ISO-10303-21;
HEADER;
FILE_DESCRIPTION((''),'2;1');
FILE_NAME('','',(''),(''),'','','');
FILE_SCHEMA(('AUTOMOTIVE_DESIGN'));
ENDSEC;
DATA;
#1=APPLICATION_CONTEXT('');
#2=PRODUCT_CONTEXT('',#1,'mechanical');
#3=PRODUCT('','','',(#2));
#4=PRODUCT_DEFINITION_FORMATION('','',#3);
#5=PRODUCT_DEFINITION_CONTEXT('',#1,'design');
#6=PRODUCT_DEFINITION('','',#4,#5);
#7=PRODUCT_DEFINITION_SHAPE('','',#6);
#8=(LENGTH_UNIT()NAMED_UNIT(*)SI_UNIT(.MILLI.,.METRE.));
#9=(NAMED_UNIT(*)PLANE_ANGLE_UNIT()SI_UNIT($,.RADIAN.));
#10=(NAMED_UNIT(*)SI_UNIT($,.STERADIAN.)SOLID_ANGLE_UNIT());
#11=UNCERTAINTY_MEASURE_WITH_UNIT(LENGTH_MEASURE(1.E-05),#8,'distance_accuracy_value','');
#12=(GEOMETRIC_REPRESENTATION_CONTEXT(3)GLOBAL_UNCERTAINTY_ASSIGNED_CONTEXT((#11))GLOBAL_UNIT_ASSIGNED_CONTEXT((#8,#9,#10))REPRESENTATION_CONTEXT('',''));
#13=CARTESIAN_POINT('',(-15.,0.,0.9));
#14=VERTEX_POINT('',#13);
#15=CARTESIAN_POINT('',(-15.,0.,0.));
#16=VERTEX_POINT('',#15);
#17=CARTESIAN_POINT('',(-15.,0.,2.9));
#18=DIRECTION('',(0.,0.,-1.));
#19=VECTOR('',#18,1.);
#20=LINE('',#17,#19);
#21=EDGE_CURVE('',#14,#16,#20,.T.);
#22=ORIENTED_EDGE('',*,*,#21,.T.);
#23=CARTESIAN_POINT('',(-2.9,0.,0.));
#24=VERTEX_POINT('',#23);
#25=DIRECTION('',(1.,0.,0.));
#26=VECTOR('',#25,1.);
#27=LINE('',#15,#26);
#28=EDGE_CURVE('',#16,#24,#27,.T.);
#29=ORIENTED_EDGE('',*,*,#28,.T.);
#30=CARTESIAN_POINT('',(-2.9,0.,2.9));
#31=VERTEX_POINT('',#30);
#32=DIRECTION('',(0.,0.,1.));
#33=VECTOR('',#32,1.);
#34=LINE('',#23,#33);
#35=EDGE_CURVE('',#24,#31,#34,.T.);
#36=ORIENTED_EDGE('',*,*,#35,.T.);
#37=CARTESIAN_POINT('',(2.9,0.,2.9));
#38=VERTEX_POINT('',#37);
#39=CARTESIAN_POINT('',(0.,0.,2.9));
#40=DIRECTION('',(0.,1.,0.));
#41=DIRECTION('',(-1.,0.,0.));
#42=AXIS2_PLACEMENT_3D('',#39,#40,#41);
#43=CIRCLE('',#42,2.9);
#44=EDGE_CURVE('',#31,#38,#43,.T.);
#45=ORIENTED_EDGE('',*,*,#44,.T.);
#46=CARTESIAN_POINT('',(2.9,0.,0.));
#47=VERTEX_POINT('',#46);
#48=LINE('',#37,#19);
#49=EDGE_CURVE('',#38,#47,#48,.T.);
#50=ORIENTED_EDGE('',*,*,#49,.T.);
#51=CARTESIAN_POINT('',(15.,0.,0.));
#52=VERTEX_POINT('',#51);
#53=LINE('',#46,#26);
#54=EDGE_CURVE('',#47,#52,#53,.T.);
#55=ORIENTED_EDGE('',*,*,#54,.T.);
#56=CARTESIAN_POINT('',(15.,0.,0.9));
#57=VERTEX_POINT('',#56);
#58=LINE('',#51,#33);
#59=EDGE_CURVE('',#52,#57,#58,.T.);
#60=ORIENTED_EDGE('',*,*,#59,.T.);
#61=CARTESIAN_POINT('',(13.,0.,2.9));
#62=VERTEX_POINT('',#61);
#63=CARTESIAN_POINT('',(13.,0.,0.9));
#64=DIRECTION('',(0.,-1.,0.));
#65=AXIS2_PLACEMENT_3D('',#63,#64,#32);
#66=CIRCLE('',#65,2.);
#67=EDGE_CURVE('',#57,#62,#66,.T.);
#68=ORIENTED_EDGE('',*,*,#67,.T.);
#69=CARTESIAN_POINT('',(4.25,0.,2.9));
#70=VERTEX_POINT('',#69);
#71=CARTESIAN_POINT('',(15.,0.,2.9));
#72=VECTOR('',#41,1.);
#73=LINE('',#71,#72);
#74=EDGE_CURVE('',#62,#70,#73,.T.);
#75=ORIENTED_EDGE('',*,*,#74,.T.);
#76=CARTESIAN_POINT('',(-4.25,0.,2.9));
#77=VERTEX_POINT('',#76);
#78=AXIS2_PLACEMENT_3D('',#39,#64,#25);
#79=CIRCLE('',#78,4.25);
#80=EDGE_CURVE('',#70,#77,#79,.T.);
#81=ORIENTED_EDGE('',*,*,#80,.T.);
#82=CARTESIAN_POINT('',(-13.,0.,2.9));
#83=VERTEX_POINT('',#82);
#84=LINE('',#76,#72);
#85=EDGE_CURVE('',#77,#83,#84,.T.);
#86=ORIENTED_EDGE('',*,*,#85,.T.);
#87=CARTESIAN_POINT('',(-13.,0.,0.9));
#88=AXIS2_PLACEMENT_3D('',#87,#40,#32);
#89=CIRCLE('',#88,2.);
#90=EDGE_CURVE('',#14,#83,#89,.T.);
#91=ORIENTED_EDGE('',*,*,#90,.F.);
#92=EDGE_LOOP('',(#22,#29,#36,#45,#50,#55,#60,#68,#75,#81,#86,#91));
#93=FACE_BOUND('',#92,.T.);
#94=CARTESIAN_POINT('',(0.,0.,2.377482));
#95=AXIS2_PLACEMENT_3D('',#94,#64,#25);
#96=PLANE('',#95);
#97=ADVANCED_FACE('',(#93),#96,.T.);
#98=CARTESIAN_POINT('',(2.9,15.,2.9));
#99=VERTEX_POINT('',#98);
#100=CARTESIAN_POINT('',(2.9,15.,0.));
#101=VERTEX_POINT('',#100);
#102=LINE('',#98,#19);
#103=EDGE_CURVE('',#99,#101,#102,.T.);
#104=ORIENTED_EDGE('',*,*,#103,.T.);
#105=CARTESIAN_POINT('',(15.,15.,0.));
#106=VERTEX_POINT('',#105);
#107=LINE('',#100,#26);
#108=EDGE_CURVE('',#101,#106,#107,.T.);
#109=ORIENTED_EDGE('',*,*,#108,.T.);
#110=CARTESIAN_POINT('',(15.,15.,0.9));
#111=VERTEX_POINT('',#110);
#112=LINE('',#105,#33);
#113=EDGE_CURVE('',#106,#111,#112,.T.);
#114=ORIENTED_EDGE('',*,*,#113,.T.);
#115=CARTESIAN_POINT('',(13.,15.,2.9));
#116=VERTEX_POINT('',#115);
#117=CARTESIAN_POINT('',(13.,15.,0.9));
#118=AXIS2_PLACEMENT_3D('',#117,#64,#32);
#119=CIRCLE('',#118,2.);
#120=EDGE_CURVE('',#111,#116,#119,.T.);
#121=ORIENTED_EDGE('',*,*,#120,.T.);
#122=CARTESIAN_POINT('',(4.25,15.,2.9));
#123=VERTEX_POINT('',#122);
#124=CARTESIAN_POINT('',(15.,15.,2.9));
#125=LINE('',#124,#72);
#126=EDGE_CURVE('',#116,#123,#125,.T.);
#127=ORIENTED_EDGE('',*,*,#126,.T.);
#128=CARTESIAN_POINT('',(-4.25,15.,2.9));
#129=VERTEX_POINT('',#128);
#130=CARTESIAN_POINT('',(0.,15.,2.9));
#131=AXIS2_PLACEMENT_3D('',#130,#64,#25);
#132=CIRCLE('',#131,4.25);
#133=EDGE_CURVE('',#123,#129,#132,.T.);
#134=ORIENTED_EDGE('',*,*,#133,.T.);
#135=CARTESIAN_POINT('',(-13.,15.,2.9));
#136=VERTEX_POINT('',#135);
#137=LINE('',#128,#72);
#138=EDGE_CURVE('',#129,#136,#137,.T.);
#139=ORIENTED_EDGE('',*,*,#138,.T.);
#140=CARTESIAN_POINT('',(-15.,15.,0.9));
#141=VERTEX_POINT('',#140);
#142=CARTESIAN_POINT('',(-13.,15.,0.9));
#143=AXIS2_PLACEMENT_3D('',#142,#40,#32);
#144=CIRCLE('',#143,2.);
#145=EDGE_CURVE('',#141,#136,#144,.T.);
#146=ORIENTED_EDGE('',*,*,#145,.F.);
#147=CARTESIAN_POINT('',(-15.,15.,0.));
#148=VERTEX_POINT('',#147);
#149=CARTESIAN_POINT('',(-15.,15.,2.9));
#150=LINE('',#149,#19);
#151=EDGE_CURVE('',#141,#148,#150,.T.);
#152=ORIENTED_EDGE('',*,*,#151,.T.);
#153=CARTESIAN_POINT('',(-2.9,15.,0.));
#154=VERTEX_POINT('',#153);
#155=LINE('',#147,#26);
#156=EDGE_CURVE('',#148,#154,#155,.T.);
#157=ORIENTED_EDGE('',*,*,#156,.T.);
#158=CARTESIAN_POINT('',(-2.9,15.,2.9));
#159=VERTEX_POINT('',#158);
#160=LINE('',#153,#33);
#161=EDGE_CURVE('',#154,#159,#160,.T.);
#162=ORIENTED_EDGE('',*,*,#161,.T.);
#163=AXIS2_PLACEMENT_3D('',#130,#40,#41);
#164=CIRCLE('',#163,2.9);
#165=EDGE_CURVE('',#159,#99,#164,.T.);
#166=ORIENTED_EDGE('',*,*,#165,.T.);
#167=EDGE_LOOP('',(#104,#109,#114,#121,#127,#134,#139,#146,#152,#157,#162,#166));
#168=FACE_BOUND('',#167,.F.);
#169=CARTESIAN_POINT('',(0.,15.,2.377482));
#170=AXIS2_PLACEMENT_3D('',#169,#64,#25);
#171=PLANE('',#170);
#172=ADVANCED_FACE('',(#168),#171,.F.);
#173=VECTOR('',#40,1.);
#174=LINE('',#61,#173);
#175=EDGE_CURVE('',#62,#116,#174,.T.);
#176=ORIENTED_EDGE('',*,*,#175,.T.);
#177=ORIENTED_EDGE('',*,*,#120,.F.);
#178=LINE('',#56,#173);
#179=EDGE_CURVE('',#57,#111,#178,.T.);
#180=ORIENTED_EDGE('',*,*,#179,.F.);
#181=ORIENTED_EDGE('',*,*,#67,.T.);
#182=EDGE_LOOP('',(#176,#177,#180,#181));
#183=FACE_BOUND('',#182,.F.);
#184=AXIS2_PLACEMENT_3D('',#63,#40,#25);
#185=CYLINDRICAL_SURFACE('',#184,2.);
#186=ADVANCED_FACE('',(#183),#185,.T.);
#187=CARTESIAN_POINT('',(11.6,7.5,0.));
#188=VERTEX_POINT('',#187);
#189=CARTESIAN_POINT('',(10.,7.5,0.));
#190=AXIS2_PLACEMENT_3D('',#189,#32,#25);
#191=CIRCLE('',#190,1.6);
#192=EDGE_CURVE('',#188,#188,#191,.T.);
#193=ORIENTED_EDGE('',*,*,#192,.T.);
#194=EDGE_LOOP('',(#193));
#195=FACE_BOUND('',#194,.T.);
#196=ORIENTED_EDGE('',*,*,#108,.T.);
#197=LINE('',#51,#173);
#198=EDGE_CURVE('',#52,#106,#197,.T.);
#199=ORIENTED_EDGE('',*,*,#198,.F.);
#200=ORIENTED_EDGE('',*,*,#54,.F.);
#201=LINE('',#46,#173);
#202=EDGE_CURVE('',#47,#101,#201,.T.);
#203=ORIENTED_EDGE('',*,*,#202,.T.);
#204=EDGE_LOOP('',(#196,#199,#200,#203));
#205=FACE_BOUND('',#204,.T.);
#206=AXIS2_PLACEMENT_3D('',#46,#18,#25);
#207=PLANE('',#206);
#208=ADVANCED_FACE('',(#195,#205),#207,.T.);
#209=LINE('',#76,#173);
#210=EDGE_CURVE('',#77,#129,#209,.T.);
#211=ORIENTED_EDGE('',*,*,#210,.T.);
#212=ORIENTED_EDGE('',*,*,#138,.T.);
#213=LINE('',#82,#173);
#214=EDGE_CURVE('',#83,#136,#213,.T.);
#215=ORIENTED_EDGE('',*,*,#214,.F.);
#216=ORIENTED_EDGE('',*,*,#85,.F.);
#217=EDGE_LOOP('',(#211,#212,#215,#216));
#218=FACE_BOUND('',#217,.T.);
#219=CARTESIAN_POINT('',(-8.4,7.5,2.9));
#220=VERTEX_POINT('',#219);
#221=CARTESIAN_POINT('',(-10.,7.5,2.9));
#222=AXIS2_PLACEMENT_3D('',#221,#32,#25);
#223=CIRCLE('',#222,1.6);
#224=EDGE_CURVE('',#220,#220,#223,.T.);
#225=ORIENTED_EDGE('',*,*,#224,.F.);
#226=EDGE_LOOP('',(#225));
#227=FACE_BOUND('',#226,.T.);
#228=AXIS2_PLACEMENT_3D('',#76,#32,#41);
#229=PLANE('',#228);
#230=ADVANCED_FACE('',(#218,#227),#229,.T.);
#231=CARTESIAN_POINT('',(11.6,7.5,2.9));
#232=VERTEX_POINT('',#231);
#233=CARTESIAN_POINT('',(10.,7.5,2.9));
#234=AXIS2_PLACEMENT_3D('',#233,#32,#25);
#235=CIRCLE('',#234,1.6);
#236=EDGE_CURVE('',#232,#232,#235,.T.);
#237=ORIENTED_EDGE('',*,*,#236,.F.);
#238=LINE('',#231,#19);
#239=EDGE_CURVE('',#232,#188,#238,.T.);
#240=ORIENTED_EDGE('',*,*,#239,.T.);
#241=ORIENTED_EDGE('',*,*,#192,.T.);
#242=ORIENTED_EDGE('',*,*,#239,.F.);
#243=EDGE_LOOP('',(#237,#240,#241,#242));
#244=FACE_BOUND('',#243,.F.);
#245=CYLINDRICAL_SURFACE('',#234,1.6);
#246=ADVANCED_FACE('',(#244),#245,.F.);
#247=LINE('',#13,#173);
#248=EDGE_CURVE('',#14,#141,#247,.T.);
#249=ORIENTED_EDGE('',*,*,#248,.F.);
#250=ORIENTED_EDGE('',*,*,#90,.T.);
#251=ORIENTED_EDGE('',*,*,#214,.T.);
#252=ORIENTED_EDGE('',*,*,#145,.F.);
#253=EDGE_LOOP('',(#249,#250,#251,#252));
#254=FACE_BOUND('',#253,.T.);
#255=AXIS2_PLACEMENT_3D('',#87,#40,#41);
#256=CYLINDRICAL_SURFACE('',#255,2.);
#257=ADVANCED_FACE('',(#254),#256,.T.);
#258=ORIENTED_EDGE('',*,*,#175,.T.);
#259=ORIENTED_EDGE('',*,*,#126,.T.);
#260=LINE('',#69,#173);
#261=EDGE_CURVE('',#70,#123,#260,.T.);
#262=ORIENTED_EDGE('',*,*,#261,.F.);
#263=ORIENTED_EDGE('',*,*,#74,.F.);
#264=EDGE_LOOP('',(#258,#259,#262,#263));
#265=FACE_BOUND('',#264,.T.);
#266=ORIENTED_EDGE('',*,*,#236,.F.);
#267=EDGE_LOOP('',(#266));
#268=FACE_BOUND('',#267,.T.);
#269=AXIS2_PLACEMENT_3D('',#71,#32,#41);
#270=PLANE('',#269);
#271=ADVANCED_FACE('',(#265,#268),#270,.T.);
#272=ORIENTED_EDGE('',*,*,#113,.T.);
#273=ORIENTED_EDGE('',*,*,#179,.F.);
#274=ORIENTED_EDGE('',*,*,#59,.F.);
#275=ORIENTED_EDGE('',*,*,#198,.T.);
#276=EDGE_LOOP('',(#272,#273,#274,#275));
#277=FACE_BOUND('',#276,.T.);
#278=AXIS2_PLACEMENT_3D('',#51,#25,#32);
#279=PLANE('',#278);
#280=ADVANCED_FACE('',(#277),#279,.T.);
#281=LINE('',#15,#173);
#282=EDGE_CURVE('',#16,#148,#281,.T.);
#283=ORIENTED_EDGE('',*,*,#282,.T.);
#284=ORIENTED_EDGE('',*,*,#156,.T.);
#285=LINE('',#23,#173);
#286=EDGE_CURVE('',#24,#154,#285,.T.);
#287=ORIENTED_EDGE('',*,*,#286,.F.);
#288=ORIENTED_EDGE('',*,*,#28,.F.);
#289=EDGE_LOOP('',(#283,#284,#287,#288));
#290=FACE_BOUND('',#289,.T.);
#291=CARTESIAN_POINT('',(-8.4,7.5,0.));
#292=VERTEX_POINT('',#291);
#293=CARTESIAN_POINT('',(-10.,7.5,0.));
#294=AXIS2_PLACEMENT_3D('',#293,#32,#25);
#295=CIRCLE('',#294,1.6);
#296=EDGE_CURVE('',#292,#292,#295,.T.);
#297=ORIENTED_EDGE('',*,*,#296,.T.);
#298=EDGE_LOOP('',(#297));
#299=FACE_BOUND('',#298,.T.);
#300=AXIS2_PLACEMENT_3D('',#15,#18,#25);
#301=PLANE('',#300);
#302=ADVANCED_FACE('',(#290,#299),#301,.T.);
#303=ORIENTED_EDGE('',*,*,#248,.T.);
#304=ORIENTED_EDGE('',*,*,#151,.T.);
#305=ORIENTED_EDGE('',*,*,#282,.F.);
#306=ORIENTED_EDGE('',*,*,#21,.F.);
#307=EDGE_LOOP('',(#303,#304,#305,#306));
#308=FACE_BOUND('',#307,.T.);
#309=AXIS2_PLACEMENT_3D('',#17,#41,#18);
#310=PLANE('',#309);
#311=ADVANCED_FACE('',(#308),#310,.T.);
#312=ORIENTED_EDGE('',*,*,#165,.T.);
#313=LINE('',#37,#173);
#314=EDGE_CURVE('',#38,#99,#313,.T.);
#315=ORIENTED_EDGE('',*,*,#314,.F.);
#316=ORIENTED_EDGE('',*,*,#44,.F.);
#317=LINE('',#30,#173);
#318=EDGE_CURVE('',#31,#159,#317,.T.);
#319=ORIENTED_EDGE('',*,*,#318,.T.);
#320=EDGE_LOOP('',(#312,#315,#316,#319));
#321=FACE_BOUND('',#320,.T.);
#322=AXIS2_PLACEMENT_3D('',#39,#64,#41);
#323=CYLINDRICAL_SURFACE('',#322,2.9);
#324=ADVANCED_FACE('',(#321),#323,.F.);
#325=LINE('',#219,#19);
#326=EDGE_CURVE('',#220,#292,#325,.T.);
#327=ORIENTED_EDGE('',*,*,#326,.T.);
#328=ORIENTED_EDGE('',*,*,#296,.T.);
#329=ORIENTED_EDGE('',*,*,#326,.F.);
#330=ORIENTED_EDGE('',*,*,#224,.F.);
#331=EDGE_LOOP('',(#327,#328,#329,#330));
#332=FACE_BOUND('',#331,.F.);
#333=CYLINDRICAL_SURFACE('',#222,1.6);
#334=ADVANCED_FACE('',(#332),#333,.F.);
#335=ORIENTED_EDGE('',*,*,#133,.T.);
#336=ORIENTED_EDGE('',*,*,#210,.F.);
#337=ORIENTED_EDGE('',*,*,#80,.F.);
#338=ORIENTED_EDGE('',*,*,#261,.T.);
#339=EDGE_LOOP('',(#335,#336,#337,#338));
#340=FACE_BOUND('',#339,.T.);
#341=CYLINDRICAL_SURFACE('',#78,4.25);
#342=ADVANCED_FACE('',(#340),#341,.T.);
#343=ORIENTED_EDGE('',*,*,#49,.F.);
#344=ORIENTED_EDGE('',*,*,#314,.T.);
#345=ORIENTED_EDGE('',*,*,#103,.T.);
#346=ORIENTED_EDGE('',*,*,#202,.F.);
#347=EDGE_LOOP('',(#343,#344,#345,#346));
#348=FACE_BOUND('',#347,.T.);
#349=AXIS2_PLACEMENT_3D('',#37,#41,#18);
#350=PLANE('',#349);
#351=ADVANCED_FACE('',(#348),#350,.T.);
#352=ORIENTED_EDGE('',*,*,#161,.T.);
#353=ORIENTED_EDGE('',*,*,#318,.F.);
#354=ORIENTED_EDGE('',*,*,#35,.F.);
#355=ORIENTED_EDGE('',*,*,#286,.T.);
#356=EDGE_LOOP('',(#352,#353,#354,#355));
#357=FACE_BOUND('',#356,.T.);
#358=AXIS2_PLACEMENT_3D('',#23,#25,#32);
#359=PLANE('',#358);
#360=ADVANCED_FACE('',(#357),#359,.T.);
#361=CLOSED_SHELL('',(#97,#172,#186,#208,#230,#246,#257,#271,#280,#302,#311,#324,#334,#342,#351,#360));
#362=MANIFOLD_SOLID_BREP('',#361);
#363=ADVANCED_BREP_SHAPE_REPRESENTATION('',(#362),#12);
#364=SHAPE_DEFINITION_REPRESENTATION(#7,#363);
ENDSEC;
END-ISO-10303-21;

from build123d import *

# Parameters (mm, degrees)
F1_DEPTH = 15
F2_R     = 1.6
F3_DEPTH = 2.901
F4_R     = 2


with BuildPart() as f1:
    # F0 (on Front) → F1 (new body)
    with BuildSketch(Plane.XZ):
        with BuildLine():
            Line((-15, 2.9), (-15, 0))
            Line((-15, 0), (-2.9, 0))
            Line((-2.9, 0), (-2.9, 2.9))
            ThreePointArc((-2.9, 2.9), (0, 5.8), (2.9, 2.9))
            Line((2.9, 2.9), (2.9, 0))
            Line((2.9, 0), (15, 0))
            Line((15, 0), (15, 2.9))
            Line((15, 2.9), (4.25, 2.9))
            ThreePointArc((4.25, 2.9), (0, 7.15), (-4.25, 2.9))
            Line((-4.25, 2.9), (-15, 2.9))
        make_face()
    extrude(amount=-F1_DEPTH)

    # F2 (on face) → F3 (cut, through all)
    with BuildSketch(Plane.XY.offset(2.9)):
        with Locations((-10, 7.5)):
            Circle(F2_R)
        with Locations((10, 7.5)):
            Circle(F2_R)
    extrude(amount=-F3_DEPTH, mode=Mode.SUBTRACT)

    # F4
    f4_edges = [f1.edges().sort_by_distance(p)[0] for p in [
        (-15, 7.5, 2.9),
        (15, 7.5, 2.9),
    ]]
    fillet(f4_edges, radius=F4_R)


solid = f1.part
